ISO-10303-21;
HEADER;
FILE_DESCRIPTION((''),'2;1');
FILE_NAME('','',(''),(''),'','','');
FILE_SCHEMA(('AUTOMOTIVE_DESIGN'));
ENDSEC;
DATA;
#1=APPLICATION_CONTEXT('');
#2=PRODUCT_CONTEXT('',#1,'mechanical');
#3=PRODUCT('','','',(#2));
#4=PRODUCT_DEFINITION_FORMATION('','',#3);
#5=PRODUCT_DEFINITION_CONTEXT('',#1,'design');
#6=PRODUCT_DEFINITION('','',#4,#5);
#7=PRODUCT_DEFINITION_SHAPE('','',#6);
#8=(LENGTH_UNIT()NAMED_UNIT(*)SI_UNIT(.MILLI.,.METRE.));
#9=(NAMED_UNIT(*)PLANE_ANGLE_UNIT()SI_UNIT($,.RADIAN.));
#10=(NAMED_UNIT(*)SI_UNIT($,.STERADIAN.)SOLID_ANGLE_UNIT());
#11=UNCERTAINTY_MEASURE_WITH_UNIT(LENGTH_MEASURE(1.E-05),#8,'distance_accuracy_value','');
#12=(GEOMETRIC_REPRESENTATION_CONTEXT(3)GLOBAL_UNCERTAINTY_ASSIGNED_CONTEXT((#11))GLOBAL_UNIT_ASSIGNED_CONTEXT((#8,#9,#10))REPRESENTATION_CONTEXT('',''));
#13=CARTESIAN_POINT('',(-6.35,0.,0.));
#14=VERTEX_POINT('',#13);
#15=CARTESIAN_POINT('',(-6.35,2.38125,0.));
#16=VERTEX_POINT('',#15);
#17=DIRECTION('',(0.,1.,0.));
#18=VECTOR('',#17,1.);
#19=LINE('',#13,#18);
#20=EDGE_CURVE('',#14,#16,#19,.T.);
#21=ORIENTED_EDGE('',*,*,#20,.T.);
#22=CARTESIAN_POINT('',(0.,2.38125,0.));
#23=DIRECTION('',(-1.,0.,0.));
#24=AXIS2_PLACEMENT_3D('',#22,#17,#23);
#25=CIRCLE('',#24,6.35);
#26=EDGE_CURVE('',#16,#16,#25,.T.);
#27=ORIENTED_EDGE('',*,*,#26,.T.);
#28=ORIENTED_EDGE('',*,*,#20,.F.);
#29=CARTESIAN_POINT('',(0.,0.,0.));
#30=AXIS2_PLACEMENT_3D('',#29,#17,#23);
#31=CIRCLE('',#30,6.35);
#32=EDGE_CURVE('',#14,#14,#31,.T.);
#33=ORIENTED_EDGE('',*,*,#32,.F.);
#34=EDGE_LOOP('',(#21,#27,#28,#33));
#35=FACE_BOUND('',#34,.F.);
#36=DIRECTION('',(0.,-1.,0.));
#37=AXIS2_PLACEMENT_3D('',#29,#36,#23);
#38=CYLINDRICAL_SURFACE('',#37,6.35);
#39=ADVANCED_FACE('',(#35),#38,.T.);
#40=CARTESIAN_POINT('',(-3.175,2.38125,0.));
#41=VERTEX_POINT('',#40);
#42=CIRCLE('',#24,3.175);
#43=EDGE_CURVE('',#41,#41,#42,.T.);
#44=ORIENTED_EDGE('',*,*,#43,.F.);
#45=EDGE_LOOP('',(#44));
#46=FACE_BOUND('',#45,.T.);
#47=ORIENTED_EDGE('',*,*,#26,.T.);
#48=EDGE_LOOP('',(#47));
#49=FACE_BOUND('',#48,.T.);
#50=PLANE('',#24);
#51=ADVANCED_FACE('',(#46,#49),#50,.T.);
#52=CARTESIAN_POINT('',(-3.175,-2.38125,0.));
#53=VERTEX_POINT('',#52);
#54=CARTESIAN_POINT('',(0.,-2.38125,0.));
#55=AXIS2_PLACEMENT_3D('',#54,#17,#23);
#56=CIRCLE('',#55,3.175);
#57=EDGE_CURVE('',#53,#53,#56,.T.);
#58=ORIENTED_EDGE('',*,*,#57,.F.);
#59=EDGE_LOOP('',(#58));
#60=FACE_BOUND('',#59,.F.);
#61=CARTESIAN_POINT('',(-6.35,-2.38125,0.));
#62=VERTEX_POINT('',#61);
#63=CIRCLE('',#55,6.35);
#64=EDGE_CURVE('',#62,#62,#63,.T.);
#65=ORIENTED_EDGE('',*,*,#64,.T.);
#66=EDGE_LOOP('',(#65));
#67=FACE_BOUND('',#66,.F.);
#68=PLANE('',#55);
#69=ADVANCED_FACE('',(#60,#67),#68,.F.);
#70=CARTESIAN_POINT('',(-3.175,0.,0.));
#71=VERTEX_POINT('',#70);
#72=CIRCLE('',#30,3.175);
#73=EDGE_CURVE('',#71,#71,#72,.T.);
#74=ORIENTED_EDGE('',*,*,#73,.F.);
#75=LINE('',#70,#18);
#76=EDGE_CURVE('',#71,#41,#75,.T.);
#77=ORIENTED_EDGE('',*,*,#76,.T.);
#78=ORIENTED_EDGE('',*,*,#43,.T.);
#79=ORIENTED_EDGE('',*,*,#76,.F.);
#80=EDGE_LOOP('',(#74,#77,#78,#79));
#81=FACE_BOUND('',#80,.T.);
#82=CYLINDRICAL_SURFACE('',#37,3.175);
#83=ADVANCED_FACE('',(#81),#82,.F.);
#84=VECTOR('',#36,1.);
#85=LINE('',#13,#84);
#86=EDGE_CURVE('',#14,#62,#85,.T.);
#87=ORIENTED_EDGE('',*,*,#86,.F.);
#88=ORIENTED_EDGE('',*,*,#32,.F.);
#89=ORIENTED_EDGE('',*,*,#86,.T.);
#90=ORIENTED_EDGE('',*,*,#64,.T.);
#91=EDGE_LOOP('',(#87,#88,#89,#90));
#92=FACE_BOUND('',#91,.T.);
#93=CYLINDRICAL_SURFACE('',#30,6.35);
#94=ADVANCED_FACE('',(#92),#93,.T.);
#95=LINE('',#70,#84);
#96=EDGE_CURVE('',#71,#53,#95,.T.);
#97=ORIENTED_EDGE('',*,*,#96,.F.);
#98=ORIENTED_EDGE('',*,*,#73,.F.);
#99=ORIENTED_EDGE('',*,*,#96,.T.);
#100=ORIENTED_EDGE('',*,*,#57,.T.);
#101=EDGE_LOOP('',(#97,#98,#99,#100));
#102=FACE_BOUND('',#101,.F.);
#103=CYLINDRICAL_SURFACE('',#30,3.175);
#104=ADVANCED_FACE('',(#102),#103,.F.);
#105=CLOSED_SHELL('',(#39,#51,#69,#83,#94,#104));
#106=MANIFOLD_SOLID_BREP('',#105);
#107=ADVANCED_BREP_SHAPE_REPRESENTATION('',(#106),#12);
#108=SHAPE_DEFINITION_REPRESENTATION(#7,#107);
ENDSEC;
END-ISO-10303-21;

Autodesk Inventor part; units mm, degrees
ref_plane "YZ Plane" through (0, 0, 0) normal (1, 0, 0) x (0, 1, 0)
ref_plane "XZ Plane" through (0, 0, 0) normal (0, 1, 0) x (-1, 0, 0)
ref_plane "XY Plane" through (0, 0, 0) normal (0, 0, 1) x (1, 0, 0)
sketch "Sketch1" plane through (0, 0, 0) normal (0, 1, 0) x (-1, 0, 0)
  circle A0 centre (0, 0) radius 3.175
  circle A1 centre (0, 0) radius 6.35
  dimension "d0" = 6.35
  dimension "d1" = 12.7
extrude "Extrusion1" add sketch "Sketch1" along normal mid plane 4.7625
properties part number "BallBearing"
